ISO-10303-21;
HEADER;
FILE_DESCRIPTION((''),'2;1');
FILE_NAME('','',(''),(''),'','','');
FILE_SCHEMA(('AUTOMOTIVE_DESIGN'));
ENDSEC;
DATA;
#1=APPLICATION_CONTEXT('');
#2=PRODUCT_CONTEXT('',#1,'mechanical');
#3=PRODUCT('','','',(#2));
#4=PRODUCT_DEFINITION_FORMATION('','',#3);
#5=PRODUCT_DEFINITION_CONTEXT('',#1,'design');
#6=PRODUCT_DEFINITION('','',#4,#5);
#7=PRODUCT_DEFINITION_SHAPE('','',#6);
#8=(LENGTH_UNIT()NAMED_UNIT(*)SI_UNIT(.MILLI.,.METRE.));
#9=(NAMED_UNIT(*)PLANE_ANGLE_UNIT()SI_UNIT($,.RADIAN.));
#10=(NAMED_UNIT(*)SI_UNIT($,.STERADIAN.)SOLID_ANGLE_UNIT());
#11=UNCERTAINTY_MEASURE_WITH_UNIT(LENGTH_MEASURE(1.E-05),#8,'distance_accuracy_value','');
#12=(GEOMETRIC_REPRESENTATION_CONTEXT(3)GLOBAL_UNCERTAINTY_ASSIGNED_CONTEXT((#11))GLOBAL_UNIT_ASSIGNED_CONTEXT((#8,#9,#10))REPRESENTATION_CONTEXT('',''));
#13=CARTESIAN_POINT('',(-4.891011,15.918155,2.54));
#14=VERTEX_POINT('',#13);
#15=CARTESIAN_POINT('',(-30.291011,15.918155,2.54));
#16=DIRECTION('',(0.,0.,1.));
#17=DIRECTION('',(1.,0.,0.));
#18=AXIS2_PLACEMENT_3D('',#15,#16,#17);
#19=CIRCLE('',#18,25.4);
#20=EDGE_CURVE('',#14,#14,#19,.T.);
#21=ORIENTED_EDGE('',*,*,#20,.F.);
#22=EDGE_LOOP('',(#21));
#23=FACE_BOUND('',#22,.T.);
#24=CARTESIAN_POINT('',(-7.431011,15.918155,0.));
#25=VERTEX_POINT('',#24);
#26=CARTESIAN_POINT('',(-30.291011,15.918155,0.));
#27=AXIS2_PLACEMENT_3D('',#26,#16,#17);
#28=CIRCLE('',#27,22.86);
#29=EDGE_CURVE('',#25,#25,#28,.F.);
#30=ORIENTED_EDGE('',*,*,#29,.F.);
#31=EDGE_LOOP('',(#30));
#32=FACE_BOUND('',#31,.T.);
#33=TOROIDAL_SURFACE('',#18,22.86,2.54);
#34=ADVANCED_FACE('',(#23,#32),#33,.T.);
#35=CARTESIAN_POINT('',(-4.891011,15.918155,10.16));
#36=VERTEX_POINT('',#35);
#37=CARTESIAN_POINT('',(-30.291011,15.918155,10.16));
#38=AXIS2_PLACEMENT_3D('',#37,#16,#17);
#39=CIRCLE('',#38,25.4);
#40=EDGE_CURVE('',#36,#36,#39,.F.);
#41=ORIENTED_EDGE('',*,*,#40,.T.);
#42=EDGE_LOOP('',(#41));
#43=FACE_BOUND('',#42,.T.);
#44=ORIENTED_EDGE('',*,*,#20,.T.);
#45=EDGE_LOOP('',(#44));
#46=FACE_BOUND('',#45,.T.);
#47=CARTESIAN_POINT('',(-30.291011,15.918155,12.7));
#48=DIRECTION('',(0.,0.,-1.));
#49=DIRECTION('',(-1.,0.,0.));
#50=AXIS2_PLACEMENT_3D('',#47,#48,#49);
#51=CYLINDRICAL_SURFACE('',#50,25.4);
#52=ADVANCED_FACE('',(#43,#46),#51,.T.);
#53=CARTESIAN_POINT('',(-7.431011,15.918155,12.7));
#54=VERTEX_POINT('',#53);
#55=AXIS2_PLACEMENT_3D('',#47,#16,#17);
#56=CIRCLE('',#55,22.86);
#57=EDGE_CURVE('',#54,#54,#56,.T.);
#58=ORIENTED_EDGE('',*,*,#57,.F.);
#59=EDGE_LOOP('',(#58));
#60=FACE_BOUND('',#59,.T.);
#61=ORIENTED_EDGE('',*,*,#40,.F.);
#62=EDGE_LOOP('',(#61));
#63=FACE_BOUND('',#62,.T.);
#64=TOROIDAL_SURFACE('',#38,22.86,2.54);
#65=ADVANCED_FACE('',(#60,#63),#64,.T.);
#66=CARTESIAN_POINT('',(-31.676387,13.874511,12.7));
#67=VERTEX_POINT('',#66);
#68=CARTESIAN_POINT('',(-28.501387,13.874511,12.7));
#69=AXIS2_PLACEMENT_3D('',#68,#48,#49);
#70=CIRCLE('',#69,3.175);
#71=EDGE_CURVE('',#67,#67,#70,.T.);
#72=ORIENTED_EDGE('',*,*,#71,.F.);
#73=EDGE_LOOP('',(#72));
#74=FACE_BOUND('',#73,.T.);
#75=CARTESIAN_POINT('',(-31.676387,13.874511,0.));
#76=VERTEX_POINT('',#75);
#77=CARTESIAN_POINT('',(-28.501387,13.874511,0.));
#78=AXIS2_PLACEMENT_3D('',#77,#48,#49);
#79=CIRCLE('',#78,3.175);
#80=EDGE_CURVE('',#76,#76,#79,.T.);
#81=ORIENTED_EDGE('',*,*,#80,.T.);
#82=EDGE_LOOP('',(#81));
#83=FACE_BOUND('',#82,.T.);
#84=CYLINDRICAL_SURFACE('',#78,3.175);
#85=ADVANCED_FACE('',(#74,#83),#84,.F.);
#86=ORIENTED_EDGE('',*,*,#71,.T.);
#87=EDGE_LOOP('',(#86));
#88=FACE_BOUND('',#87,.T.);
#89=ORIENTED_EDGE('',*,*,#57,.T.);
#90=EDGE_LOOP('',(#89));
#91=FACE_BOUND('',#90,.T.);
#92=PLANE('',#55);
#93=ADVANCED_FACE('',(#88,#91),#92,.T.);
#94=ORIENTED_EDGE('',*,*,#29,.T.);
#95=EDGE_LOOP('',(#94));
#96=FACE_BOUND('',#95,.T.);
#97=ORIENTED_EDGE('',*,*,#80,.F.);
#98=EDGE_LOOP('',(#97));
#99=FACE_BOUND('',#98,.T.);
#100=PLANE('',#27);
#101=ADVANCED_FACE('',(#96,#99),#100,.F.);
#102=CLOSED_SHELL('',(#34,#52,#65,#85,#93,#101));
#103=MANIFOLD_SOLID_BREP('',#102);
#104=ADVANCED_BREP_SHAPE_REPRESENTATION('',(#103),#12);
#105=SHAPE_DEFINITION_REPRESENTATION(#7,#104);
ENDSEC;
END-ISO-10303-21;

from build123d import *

# Parameters (mm, degrees)
SKETCH1_R                   = 25.4
BOSS_EXTRUDE1_DEPTH         = 12.7
FILLET1_R                   = 2.54
FILLET2_R                   = 2.54
F_1_4_0_25_DIAMETER_HOLE1_D = 6.35


with BuildPart() as part:
    # Sketch1 → Boss-Extrude1 (new body)
    with BuildSketch(Plane.XY):
        with Locations((-30.291010944, 15.918155424)):
            Circle(SKETCH1_R)
    extrude(amount=BOSS_EXTRUDE1_DEPTH)

    # Fillet1
    fillet1_edges = [part.edges().sort_by_distance(p)[0] for p in [
        (-55.691010944, 15.918155424, 12.7),
    ]]
    fillet(fillet1_edges, radius=FILLET1_R)

    # Fillet2
    fillet2_edges = [part.edges().sort_by_distance(p)[0] for p in [
        (-55.691010944, 15.918155424, 0),
    ]]
    fillet(fillet2_edges, radius=FILLET2_R)

    # 1/4 (0.25) Diameter Hole1 (through all)
    with Locations(Plane(origin=(0, 0, 0), x_dir=(-1, 0, 0), z_dir=(0, 0, -1))):
        with Locations((28.50138728, 13.874510617)):
            Hole(F_1_4_0_25_DIAMETER_HOLE1_D / 2)


solid = part.part
